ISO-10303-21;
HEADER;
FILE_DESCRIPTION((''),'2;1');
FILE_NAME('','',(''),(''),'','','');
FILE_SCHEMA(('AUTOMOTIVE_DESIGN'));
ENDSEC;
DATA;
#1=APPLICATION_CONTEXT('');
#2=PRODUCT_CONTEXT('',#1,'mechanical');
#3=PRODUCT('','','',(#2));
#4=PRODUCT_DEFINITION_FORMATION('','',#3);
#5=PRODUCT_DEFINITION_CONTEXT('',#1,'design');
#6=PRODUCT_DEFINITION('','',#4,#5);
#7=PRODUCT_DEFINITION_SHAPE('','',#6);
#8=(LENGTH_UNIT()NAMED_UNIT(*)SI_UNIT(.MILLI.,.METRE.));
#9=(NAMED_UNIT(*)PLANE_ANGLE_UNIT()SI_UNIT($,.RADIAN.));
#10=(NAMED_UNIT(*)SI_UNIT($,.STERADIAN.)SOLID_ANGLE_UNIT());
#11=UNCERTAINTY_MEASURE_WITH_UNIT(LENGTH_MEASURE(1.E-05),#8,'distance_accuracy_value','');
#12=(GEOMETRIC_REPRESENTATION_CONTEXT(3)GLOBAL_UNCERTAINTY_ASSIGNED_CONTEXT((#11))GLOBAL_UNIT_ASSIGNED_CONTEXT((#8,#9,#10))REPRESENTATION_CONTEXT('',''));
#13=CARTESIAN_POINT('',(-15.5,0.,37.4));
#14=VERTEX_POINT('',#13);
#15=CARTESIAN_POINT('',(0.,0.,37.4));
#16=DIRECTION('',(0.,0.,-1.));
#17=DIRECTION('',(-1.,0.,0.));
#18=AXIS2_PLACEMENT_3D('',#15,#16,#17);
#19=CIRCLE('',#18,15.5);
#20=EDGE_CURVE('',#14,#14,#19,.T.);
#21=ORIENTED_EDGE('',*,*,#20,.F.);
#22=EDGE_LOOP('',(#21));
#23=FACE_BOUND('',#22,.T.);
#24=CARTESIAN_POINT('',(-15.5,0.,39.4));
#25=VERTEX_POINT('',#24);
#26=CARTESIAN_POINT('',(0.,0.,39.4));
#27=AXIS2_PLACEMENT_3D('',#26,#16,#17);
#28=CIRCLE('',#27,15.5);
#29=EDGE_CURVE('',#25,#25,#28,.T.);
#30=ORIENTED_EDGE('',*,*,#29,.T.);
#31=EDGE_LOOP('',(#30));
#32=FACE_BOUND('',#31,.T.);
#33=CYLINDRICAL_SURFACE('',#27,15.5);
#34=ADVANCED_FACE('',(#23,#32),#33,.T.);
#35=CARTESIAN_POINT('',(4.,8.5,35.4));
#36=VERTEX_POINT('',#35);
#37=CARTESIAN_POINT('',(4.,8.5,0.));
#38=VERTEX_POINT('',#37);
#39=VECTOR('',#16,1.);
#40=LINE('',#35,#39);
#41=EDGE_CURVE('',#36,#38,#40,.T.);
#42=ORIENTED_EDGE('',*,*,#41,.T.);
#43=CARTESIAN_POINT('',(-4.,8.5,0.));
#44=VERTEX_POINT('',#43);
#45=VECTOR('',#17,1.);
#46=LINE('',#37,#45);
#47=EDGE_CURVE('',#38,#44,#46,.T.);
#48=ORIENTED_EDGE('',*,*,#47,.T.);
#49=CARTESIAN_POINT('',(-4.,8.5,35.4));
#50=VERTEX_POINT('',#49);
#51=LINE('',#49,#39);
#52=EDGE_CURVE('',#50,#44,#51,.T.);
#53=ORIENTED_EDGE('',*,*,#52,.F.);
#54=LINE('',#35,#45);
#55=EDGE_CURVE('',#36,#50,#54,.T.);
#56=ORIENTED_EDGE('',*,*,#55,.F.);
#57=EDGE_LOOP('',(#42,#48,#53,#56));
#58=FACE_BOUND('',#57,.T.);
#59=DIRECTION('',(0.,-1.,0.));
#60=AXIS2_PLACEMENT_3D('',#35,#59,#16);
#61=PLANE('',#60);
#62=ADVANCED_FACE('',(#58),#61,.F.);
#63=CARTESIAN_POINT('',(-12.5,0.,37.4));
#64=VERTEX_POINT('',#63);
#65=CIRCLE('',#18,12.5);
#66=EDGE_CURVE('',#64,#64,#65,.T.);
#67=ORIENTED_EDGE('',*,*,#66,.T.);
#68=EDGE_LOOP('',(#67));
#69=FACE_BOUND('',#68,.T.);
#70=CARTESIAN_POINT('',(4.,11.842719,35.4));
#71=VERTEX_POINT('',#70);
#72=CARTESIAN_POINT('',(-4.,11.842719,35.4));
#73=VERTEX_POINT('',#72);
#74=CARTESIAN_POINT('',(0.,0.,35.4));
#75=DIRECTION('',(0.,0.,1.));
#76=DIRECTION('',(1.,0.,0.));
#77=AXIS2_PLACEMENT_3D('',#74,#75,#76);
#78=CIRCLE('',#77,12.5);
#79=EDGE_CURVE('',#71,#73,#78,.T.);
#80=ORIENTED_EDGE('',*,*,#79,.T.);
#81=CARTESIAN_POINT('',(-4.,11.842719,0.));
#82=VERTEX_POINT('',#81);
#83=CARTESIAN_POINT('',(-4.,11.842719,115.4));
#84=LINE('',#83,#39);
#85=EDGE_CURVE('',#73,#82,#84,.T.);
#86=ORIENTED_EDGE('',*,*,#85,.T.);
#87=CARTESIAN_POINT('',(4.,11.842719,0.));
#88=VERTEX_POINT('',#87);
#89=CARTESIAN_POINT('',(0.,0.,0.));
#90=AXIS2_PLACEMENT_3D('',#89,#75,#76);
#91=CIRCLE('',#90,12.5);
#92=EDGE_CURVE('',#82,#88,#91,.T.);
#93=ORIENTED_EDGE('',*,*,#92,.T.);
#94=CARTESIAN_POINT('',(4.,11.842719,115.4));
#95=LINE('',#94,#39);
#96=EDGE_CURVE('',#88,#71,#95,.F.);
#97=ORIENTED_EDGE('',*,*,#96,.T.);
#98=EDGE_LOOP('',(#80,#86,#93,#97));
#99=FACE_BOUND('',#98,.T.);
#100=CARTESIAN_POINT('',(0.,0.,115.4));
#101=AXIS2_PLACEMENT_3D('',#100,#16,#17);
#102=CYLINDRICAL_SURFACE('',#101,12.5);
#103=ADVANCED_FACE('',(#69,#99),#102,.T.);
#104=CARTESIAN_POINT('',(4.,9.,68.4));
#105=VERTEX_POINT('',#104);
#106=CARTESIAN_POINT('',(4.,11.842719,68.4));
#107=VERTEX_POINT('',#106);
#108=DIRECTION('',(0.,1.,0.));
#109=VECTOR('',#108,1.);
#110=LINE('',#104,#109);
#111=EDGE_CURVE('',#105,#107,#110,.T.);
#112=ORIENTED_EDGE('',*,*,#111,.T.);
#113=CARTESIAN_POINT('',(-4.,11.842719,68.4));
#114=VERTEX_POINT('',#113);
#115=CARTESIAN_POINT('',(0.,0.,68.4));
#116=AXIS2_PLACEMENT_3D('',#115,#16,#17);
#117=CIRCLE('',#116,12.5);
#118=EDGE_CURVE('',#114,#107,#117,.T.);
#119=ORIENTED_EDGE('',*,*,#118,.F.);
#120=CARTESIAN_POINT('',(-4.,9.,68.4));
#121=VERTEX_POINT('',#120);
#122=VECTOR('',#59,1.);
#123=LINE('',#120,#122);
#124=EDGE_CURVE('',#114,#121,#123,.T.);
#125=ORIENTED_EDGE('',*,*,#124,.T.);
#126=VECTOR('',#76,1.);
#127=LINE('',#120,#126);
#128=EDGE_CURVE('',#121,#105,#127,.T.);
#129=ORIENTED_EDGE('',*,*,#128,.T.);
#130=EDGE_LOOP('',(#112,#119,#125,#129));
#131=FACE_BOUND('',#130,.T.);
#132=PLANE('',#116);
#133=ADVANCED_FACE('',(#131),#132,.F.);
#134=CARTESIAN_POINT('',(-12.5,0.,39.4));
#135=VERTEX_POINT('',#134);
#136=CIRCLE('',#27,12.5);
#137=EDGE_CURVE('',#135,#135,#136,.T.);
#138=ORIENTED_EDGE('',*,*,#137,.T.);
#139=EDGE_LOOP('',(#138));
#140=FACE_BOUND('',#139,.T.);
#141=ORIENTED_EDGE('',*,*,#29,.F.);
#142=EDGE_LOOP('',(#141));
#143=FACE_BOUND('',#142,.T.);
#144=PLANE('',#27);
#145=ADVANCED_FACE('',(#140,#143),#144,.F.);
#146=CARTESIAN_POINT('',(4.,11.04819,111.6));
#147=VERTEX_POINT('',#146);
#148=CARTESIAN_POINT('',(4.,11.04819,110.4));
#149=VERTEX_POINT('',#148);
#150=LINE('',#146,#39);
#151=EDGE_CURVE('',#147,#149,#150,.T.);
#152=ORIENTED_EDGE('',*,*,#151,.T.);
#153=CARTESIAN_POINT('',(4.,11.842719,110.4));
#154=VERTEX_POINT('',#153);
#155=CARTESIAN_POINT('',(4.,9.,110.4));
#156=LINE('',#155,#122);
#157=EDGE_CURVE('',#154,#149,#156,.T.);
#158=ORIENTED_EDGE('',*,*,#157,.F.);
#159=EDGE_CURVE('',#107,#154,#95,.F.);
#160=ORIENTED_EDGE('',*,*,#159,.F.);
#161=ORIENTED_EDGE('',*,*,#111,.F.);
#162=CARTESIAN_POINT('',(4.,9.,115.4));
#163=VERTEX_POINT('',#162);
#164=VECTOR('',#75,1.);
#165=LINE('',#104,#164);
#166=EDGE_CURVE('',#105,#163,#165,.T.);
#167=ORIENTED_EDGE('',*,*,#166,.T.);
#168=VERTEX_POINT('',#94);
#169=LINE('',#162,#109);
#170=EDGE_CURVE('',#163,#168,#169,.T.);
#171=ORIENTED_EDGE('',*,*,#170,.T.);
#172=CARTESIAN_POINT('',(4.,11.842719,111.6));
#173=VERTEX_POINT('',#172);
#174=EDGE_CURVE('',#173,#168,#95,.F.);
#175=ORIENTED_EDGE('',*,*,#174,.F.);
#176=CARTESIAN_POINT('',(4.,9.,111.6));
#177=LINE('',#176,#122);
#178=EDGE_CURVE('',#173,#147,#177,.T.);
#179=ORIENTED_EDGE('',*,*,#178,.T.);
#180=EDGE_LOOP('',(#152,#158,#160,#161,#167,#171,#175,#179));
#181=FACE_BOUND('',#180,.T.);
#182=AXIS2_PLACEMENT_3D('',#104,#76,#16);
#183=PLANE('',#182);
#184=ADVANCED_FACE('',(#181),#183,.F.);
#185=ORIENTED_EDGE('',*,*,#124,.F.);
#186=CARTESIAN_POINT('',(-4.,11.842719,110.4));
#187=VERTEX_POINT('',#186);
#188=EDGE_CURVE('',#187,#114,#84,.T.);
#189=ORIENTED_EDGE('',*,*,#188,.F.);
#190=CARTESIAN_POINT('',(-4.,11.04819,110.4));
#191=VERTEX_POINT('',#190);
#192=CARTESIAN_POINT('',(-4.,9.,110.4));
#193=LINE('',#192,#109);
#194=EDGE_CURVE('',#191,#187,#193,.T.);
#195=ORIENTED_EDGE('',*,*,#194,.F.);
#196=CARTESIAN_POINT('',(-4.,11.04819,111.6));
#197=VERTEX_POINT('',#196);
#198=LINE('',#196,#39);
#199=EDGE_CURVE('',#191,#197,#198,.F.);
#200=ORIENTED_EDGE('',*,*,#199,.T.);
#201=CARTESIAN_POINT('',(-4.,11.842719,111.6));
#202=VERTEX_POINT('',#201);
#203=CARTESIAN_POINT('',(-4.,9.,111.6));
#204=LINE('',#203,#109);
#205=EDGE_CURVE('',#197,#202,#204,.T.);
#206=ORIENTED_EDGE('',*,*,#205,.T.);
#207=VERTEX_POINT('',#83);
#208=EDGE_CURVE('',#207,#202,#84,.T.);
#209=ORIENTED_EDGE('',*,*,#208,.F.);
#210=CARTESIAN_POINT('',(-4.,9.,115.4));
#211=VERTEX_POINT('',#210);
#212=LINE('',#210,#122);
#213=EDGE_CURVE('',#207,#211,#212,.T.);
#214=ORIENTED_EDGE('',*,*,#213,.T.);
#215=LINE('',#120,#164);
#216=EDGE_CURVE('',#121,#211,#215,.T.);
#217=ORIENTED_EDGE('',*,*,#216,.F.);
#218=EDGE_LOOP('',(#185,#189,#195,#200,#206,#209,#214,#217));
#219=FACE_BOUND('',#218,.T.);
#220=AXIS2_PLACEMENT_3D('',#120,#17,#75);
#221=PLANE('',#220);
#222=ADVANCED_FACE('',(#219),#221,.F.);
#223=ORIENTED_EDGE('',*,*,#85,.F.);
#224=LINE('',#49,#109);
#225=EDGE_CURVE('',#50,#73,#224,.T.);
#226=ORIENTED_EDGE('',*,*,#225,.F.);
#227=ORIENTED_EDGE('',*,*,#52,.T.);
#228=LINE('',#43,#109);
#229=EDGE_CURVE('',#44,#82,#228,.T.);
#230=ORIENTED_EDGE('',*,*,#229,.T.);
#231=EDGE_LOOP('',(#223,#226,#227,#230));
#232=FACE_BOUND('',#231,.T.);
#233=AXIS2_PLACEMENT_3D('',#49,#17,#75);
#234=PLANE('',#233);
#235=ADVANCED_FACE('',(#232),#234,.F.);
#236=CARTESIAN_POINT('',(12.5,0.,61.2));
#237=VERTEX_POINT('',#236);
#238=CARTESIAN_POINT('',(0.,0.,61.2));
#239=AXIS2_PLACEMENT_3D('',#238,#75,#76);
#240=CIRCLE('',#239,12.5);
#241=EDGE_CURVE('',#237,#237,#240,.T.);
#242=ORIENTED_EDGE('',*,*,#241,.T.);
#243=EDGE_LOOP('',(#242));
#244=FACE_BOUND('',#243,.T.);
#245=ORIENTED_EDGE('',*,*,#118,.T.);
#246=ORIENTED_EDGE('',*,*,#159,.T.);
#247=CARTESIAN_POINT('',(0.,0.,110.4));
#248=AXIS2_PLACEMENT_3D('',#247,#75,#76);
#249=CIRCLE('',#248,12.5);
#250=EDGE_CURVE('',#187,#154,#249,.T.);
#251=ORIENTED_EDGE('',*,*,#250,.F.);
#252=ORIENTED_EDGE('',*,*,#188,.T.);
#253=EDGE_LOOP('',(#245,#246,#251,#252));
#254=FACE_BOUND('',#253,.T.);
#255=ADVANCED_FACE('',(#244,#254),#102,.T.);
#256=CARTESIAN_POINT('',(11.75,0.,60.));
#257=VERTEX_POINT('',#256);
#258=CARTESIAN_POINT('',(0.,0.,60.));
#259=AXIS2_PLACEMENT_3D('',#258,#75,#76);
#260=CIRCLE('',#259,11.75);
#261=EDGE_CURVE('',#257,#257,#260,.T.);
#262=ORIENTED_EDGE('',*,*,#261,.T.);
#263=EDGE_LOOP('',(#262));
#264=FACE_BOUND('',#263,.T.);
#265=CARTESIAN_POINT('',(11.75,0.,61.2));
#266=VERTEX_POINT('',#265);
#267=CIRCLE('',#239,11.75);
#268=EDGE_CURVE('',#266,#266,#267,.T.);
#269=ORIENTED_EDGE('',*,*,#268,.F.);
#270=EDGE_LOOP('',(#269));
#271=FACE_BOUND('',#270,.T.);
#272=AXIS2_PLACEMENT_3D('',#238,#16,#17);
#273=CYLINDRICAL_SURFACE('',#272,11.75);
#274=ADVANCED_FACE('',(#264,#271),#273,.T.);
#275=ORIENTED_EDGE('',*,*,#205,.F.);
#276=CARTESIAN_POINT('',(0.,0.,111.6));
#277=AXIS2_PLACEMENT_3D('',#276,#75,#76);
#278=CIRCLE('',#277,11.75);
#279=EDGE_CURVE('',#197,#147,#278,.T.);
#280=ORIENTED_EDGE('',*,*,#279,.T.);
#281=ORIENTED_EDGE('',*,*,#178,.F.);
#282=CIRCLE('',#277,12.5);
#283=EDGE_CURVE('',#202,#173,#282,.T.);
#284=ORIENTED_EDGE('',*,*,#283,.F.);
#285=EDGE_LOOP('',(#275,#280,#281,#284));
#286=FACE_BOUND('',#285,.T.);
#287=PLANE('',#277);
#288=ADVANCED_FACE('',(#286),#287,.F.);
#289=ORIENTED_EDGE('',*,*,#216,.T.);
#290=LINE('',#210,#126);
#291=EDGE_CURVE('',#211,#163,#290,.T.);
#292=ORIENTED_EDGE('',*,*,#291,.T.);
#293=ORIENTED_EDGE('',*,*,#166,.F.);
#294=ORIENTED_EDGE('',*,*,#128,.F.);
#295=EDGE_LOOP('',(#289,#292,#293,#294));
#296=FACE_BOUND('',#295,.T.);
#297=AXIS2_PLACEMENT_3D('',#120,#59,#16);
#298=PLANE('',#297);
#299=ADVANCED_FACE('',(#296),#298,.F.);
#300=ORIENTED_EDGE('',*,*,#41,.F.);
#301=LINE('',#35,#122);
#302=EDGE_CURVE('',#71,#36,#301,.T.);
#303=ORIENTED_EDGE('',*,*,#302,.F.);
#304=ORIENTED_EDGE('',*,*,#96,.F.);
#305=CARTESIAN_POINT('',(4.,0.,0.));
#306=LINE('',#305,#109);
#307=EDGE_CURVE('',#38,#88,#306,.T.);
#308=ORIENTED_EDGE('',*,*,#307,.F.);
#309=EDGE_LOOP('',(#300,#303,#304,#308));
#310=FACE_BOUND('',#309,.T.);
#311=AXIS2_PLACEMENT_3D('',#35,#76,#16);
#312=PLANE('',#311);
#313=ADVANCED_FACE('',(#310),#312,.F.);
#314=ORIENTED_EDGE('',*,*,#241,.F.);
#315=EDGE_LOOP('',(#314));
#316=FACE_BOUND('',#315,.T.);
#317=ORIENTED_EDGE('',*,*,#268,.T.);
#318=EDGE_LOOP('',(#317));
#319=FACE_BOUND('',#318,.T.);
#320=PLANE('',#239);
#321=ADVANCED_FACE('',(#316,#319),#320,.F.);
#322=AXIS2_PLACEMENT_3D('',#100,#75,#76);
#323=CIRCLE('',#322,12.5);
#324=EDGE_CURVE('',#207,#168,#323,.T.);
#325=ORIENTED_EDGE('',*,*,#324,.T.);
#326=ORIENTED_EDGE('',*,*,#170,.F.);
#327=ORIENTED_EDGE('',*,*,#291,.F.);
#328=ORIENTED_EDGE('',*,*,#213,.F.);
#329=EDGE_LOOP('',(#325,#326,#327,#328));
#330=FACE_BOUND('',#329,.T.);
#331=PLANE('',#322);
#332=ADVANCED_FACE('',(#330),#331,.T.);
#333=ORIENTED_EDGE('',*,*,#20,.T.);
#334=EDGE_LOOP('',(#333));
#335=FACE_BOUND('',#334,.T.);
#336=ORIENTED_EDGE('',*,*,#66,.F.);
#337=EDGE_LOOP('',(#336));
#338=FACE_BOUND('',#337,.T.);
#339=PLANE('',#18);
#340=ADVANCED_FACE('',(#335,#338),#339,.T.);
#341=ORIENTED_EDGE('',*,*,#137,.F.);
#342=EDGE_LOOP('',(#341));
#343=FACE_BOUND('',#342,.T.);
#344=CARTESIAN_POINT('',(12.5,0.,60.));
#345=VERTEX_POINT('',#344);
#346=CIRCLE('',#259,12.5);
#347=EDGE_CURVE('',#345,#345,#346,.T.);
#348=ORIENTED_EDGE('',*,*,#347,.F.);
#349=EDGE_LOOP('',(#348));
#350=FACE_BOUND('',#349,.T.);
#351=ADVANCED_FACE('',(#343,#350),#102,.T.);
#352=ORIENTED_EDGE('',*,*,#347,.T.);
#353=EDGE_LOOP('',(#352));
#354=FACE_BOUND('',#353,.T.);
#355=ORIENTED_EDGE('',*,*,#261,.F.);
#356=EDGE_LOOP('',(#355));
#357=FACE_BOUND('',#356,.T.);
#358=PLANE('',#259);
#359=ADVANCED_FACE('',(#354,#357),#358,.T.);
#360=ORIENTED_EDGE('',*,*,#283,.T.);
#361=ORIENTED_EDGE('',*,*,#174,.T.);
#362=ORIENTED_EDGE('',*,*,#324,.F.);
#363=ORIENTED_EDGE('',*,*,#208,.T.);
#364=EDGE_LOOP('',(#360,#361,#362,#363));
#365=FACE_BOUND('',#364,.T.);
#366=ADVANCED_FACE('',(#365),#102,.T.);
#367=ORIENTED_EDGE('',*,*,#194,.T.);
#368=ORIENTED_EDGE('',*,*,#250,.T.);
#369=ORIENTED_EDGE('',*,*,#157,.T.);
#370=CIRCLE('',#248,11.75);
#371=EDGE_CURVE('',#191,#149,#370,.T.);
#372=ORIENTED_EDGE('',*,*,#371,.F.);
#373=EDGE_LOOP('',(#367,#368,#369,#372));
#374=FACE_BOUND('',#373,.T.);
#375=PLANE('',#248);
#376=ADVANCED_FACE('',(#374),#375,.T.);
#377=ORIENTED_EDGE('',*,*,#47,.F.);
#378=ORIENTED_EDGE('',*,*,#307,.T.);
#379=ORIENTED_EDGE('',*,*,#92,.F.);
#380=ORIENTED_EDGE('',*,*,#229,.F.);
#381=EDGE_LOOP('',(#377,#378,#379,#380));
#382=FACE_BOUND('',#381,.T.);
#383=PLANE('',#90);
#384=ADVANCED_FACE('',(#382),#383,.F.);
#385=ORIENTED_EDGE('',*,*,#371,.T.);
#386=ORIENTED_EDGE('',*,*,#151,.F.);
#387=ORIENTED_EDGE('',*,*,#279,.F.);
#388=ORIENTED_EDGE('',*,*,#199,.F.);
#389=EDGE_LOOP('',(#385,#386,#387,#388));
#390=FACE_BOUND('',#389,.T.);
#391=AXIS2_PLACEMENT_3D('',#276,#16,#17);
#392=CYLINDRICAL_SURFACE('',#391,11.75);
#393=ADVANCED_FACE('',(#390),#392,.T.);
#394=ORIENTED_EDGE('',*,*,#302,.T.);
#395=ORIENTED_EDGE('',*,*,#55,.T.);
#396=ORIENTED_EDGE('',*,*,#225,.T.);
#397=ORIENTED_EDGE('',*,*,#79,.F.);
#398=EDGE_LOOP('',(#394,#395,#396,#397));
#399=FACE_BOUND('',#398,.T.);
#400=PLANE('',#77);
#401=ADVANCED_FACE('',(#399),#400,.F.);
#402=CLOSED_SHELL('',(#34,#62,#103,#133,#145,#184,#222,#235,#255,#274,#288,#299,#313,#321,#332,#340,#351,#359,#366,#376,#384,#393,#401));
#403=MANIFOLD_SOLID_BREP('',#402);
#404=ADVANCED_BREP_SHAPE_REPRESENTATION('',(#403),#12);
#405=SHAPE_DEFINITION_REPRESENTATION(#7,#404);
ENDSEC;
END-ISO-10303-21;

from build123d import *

# Parameters (mm, degrees)
SKETCH1_R           = 12.5
BOSS_EXTRUDE1_DEPTH = 115.4
SKETCH4_W           = 8
SKETCH4_H           = 8
CUT_EXTRUDE1_DEPTH  = 35.4
SKETCH11_R          = 15.5
BOSS_EXTRUDE4_DEPTH = 2
SKETCH12_R          = 12.5
SKETCH12_R_2        = 11.75
CUT_EXTRUDE2_DEPTH  = 1.2
SKETCH13_W          = 8
SKETCH13_H          = 7
CUT_EXTRUDE3_DEPTH  = 47
SKETCH16_R          = 12.5
SKETCH16_R_2        = 11.75
CUT_EXTRUDE5_DEPTH  = 1.2


with BuildPart() as part:
    # Sketch1 → Boss-Extrude1 (new body)
    with BuildSketch(Plane.XY):
        Circle(SKETCH1_R)
    extrude(amount=BOSS_EXTRUDE1_DEPTH)

    # Sketch4 → Cut-Extrude1 (cut)
    with BuildSketch(Plane(origin=(0, 0, 0), x_dir=(-1, 0, 0), z_dir=(0, 0, -1))):
        with Locations((0, 12.5)):
            Rectangle(SKETCH4_W, SKETCH4_H)
    extrude(amount=-CUT_EXTRUDE1_DEPTH, mode=Mode.SUBTRACT)

    # Sketch11 → Boss-Extrude4 (add)
    with BuildSketch(Plane(origin=(0, 0, 37.4), x_dir=(-1, 0, 0), z_dir=(0, 0, -1))):
        Circle(SKETCH11_R)
    extrude(amount=-BOSS_EXTRUDE4_DEPTH)

    # Sketch12 → Cut-Extrude2 (cut)
    with BuildSketch(Plane.XY.offset(60)):
        Circle(SKETCH12_R)
        Circle(SKETCH12_R_2, mode=Mode.SUBTRACT)
    extrude(amount=CUT_EXTRUDE2_DEPTH, mode=Mode.SUBTRACT)

    # Sketch13 → Cut-Extrude3 (cut)
    with BuildSketch(Plane.XY.offset(115.4)):
        with Locations((0, 12.5)):
            Rectangle(SKETCH13_W, SKETCH13_H)
    extrude(amount=-CUT_EXTRUDE3_DEPTH, mode=Mode.SUBTRACT)

    # Sketch16 → Cut-Extrude5 (cut)
    with BuildSketch(Plane.XY.offset(110.4)):
        Circle(SKETCH16_R)
        Circle(SKETCH16_R_2, mode=Mode.SUBTRACT)
    extrude(amount=CUT_EXTRUDE5_DEPTH, mode=Mode.SUBTRACT)


solid = part.part
